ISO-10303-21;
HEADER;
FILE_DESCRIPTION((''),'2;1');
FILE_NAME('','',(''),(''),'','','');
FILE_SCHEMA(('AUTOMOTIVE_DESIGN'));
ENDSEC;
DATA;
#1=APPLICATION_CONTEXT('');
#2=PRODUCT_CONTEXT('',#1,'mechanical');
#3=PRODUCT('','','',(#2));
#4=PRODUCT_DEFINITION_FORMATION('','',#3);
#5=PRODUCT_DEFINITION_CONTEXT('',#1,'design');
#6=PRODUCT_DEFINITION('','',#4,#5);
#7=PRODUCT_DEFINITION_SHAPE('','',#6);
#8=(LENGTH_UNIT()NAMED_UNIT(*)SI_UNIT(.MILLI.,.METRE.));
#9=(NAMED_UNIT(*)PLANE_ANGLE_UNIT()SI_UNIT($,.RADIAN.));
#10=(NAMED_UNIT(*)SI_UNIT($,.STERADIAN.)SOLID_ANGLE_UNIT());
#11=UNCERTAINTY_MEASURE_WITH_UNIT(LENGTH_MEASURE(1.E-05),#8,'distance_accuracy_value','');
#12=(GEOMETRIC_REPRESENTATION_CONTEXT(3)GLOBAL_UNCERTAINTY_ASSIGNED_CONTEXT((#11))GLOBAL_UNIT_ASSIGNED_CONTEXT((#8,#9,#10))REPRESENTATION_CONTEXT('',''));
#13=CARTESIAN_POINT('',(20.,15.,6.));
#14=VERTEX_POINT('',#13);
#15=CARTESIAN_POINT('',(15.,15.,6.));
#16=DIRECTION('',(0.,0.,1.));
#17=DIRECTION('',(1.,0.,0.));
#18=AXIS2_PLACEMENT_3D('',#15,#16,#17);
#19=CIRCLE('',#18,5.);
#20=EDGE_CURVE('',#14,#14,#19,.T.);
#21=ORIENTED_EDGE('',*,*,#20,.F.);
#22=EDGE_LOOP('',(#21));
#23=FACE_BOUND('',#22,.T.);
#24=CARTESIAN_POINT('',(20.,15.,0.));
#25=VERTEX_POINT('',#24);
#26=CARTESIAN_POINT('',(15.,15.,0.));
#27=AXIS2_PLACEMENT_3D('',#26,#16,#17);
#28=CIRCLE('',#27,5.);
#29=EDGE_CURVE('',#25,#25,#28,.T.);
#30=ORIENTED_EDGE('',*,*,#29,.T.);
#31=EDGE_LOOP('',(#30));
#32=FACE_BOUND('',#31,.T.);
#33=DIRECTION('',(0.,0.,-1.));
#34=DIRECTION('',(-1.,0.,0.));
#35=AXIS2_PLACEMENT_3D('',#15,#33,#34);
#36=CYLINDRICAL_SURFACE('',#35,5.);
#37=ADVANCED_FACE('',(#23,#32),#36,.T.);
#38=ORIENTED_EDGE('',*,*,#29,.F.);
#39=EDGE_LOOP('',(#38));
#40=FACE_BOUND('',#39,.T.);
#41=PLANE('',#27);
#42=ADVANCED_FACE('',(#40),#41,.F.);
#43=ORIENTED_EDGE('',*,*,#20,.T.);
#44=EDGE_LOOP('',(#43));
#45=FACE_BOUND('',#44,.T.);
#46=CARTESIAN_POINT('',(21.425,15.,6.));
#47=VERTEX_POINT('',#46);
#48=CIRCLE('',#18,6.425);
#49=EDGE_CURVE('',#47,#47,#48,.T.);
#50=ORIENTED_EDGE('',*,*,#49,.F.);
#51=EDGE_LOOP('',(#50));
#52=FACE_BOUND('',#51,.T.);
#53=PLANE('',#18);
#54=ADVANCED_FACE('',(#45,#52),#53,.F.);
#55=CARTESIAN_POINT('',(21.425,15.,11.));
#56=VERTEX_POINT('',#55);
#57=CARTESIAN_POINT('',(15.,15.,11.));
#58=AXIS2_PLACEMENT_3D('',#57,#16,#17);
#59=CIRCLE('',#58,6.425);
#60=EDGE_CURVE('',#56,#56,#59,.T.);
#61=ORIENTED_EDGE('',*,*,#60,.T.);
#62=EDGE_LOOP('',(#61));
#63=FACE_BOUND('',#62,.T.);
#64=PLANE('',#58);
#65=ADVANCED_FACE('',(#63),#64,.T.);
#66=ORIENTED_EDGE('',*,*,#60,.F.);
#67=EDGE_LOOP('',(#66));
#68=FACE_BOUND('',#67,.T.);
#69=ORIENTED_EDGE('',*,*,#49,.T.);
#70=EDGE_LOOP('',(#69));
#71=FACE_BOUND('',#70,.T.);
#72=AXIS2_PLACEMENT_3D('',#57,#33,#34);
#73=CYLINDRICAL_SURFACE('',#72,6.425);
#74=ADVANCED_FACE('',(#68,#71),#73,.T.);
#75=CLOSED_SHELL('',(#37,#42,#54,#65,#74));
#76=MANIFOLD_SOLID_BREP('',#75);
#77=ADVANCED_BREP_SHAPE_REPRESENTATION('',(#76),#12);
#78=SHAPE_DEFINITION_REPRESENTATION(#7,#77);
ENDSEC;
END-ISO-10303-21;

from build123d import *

# Parameters (mm, degrees)
SKETCH2_R           = 5
BOSS_EXTRUDE1_DEPTH = 6
SKETCH3_R           = 6.425
BOSS_EXTRUDE2_DEPTH = 5


with BuildPart() as part:
    # Sketch2 → Boss-Extrude1 (new body)
    with BuildSketch(Plane.XY):
        with Locations((15, 15)):
            Circle(SKETCH2_R)
    extrude(amount=BOSS_EXTRUDE1_DEPTH)

    # Sketch3 → Boss-Extrude2 (add)
    with BuildSketch(Plane.XY.offset(6)):
        with Locations((15, 15)):
            Circle(SKETCH3_R)
    extrude(amount=BOSS_EXTRUDE2_DEPTH)


solid = part.part
